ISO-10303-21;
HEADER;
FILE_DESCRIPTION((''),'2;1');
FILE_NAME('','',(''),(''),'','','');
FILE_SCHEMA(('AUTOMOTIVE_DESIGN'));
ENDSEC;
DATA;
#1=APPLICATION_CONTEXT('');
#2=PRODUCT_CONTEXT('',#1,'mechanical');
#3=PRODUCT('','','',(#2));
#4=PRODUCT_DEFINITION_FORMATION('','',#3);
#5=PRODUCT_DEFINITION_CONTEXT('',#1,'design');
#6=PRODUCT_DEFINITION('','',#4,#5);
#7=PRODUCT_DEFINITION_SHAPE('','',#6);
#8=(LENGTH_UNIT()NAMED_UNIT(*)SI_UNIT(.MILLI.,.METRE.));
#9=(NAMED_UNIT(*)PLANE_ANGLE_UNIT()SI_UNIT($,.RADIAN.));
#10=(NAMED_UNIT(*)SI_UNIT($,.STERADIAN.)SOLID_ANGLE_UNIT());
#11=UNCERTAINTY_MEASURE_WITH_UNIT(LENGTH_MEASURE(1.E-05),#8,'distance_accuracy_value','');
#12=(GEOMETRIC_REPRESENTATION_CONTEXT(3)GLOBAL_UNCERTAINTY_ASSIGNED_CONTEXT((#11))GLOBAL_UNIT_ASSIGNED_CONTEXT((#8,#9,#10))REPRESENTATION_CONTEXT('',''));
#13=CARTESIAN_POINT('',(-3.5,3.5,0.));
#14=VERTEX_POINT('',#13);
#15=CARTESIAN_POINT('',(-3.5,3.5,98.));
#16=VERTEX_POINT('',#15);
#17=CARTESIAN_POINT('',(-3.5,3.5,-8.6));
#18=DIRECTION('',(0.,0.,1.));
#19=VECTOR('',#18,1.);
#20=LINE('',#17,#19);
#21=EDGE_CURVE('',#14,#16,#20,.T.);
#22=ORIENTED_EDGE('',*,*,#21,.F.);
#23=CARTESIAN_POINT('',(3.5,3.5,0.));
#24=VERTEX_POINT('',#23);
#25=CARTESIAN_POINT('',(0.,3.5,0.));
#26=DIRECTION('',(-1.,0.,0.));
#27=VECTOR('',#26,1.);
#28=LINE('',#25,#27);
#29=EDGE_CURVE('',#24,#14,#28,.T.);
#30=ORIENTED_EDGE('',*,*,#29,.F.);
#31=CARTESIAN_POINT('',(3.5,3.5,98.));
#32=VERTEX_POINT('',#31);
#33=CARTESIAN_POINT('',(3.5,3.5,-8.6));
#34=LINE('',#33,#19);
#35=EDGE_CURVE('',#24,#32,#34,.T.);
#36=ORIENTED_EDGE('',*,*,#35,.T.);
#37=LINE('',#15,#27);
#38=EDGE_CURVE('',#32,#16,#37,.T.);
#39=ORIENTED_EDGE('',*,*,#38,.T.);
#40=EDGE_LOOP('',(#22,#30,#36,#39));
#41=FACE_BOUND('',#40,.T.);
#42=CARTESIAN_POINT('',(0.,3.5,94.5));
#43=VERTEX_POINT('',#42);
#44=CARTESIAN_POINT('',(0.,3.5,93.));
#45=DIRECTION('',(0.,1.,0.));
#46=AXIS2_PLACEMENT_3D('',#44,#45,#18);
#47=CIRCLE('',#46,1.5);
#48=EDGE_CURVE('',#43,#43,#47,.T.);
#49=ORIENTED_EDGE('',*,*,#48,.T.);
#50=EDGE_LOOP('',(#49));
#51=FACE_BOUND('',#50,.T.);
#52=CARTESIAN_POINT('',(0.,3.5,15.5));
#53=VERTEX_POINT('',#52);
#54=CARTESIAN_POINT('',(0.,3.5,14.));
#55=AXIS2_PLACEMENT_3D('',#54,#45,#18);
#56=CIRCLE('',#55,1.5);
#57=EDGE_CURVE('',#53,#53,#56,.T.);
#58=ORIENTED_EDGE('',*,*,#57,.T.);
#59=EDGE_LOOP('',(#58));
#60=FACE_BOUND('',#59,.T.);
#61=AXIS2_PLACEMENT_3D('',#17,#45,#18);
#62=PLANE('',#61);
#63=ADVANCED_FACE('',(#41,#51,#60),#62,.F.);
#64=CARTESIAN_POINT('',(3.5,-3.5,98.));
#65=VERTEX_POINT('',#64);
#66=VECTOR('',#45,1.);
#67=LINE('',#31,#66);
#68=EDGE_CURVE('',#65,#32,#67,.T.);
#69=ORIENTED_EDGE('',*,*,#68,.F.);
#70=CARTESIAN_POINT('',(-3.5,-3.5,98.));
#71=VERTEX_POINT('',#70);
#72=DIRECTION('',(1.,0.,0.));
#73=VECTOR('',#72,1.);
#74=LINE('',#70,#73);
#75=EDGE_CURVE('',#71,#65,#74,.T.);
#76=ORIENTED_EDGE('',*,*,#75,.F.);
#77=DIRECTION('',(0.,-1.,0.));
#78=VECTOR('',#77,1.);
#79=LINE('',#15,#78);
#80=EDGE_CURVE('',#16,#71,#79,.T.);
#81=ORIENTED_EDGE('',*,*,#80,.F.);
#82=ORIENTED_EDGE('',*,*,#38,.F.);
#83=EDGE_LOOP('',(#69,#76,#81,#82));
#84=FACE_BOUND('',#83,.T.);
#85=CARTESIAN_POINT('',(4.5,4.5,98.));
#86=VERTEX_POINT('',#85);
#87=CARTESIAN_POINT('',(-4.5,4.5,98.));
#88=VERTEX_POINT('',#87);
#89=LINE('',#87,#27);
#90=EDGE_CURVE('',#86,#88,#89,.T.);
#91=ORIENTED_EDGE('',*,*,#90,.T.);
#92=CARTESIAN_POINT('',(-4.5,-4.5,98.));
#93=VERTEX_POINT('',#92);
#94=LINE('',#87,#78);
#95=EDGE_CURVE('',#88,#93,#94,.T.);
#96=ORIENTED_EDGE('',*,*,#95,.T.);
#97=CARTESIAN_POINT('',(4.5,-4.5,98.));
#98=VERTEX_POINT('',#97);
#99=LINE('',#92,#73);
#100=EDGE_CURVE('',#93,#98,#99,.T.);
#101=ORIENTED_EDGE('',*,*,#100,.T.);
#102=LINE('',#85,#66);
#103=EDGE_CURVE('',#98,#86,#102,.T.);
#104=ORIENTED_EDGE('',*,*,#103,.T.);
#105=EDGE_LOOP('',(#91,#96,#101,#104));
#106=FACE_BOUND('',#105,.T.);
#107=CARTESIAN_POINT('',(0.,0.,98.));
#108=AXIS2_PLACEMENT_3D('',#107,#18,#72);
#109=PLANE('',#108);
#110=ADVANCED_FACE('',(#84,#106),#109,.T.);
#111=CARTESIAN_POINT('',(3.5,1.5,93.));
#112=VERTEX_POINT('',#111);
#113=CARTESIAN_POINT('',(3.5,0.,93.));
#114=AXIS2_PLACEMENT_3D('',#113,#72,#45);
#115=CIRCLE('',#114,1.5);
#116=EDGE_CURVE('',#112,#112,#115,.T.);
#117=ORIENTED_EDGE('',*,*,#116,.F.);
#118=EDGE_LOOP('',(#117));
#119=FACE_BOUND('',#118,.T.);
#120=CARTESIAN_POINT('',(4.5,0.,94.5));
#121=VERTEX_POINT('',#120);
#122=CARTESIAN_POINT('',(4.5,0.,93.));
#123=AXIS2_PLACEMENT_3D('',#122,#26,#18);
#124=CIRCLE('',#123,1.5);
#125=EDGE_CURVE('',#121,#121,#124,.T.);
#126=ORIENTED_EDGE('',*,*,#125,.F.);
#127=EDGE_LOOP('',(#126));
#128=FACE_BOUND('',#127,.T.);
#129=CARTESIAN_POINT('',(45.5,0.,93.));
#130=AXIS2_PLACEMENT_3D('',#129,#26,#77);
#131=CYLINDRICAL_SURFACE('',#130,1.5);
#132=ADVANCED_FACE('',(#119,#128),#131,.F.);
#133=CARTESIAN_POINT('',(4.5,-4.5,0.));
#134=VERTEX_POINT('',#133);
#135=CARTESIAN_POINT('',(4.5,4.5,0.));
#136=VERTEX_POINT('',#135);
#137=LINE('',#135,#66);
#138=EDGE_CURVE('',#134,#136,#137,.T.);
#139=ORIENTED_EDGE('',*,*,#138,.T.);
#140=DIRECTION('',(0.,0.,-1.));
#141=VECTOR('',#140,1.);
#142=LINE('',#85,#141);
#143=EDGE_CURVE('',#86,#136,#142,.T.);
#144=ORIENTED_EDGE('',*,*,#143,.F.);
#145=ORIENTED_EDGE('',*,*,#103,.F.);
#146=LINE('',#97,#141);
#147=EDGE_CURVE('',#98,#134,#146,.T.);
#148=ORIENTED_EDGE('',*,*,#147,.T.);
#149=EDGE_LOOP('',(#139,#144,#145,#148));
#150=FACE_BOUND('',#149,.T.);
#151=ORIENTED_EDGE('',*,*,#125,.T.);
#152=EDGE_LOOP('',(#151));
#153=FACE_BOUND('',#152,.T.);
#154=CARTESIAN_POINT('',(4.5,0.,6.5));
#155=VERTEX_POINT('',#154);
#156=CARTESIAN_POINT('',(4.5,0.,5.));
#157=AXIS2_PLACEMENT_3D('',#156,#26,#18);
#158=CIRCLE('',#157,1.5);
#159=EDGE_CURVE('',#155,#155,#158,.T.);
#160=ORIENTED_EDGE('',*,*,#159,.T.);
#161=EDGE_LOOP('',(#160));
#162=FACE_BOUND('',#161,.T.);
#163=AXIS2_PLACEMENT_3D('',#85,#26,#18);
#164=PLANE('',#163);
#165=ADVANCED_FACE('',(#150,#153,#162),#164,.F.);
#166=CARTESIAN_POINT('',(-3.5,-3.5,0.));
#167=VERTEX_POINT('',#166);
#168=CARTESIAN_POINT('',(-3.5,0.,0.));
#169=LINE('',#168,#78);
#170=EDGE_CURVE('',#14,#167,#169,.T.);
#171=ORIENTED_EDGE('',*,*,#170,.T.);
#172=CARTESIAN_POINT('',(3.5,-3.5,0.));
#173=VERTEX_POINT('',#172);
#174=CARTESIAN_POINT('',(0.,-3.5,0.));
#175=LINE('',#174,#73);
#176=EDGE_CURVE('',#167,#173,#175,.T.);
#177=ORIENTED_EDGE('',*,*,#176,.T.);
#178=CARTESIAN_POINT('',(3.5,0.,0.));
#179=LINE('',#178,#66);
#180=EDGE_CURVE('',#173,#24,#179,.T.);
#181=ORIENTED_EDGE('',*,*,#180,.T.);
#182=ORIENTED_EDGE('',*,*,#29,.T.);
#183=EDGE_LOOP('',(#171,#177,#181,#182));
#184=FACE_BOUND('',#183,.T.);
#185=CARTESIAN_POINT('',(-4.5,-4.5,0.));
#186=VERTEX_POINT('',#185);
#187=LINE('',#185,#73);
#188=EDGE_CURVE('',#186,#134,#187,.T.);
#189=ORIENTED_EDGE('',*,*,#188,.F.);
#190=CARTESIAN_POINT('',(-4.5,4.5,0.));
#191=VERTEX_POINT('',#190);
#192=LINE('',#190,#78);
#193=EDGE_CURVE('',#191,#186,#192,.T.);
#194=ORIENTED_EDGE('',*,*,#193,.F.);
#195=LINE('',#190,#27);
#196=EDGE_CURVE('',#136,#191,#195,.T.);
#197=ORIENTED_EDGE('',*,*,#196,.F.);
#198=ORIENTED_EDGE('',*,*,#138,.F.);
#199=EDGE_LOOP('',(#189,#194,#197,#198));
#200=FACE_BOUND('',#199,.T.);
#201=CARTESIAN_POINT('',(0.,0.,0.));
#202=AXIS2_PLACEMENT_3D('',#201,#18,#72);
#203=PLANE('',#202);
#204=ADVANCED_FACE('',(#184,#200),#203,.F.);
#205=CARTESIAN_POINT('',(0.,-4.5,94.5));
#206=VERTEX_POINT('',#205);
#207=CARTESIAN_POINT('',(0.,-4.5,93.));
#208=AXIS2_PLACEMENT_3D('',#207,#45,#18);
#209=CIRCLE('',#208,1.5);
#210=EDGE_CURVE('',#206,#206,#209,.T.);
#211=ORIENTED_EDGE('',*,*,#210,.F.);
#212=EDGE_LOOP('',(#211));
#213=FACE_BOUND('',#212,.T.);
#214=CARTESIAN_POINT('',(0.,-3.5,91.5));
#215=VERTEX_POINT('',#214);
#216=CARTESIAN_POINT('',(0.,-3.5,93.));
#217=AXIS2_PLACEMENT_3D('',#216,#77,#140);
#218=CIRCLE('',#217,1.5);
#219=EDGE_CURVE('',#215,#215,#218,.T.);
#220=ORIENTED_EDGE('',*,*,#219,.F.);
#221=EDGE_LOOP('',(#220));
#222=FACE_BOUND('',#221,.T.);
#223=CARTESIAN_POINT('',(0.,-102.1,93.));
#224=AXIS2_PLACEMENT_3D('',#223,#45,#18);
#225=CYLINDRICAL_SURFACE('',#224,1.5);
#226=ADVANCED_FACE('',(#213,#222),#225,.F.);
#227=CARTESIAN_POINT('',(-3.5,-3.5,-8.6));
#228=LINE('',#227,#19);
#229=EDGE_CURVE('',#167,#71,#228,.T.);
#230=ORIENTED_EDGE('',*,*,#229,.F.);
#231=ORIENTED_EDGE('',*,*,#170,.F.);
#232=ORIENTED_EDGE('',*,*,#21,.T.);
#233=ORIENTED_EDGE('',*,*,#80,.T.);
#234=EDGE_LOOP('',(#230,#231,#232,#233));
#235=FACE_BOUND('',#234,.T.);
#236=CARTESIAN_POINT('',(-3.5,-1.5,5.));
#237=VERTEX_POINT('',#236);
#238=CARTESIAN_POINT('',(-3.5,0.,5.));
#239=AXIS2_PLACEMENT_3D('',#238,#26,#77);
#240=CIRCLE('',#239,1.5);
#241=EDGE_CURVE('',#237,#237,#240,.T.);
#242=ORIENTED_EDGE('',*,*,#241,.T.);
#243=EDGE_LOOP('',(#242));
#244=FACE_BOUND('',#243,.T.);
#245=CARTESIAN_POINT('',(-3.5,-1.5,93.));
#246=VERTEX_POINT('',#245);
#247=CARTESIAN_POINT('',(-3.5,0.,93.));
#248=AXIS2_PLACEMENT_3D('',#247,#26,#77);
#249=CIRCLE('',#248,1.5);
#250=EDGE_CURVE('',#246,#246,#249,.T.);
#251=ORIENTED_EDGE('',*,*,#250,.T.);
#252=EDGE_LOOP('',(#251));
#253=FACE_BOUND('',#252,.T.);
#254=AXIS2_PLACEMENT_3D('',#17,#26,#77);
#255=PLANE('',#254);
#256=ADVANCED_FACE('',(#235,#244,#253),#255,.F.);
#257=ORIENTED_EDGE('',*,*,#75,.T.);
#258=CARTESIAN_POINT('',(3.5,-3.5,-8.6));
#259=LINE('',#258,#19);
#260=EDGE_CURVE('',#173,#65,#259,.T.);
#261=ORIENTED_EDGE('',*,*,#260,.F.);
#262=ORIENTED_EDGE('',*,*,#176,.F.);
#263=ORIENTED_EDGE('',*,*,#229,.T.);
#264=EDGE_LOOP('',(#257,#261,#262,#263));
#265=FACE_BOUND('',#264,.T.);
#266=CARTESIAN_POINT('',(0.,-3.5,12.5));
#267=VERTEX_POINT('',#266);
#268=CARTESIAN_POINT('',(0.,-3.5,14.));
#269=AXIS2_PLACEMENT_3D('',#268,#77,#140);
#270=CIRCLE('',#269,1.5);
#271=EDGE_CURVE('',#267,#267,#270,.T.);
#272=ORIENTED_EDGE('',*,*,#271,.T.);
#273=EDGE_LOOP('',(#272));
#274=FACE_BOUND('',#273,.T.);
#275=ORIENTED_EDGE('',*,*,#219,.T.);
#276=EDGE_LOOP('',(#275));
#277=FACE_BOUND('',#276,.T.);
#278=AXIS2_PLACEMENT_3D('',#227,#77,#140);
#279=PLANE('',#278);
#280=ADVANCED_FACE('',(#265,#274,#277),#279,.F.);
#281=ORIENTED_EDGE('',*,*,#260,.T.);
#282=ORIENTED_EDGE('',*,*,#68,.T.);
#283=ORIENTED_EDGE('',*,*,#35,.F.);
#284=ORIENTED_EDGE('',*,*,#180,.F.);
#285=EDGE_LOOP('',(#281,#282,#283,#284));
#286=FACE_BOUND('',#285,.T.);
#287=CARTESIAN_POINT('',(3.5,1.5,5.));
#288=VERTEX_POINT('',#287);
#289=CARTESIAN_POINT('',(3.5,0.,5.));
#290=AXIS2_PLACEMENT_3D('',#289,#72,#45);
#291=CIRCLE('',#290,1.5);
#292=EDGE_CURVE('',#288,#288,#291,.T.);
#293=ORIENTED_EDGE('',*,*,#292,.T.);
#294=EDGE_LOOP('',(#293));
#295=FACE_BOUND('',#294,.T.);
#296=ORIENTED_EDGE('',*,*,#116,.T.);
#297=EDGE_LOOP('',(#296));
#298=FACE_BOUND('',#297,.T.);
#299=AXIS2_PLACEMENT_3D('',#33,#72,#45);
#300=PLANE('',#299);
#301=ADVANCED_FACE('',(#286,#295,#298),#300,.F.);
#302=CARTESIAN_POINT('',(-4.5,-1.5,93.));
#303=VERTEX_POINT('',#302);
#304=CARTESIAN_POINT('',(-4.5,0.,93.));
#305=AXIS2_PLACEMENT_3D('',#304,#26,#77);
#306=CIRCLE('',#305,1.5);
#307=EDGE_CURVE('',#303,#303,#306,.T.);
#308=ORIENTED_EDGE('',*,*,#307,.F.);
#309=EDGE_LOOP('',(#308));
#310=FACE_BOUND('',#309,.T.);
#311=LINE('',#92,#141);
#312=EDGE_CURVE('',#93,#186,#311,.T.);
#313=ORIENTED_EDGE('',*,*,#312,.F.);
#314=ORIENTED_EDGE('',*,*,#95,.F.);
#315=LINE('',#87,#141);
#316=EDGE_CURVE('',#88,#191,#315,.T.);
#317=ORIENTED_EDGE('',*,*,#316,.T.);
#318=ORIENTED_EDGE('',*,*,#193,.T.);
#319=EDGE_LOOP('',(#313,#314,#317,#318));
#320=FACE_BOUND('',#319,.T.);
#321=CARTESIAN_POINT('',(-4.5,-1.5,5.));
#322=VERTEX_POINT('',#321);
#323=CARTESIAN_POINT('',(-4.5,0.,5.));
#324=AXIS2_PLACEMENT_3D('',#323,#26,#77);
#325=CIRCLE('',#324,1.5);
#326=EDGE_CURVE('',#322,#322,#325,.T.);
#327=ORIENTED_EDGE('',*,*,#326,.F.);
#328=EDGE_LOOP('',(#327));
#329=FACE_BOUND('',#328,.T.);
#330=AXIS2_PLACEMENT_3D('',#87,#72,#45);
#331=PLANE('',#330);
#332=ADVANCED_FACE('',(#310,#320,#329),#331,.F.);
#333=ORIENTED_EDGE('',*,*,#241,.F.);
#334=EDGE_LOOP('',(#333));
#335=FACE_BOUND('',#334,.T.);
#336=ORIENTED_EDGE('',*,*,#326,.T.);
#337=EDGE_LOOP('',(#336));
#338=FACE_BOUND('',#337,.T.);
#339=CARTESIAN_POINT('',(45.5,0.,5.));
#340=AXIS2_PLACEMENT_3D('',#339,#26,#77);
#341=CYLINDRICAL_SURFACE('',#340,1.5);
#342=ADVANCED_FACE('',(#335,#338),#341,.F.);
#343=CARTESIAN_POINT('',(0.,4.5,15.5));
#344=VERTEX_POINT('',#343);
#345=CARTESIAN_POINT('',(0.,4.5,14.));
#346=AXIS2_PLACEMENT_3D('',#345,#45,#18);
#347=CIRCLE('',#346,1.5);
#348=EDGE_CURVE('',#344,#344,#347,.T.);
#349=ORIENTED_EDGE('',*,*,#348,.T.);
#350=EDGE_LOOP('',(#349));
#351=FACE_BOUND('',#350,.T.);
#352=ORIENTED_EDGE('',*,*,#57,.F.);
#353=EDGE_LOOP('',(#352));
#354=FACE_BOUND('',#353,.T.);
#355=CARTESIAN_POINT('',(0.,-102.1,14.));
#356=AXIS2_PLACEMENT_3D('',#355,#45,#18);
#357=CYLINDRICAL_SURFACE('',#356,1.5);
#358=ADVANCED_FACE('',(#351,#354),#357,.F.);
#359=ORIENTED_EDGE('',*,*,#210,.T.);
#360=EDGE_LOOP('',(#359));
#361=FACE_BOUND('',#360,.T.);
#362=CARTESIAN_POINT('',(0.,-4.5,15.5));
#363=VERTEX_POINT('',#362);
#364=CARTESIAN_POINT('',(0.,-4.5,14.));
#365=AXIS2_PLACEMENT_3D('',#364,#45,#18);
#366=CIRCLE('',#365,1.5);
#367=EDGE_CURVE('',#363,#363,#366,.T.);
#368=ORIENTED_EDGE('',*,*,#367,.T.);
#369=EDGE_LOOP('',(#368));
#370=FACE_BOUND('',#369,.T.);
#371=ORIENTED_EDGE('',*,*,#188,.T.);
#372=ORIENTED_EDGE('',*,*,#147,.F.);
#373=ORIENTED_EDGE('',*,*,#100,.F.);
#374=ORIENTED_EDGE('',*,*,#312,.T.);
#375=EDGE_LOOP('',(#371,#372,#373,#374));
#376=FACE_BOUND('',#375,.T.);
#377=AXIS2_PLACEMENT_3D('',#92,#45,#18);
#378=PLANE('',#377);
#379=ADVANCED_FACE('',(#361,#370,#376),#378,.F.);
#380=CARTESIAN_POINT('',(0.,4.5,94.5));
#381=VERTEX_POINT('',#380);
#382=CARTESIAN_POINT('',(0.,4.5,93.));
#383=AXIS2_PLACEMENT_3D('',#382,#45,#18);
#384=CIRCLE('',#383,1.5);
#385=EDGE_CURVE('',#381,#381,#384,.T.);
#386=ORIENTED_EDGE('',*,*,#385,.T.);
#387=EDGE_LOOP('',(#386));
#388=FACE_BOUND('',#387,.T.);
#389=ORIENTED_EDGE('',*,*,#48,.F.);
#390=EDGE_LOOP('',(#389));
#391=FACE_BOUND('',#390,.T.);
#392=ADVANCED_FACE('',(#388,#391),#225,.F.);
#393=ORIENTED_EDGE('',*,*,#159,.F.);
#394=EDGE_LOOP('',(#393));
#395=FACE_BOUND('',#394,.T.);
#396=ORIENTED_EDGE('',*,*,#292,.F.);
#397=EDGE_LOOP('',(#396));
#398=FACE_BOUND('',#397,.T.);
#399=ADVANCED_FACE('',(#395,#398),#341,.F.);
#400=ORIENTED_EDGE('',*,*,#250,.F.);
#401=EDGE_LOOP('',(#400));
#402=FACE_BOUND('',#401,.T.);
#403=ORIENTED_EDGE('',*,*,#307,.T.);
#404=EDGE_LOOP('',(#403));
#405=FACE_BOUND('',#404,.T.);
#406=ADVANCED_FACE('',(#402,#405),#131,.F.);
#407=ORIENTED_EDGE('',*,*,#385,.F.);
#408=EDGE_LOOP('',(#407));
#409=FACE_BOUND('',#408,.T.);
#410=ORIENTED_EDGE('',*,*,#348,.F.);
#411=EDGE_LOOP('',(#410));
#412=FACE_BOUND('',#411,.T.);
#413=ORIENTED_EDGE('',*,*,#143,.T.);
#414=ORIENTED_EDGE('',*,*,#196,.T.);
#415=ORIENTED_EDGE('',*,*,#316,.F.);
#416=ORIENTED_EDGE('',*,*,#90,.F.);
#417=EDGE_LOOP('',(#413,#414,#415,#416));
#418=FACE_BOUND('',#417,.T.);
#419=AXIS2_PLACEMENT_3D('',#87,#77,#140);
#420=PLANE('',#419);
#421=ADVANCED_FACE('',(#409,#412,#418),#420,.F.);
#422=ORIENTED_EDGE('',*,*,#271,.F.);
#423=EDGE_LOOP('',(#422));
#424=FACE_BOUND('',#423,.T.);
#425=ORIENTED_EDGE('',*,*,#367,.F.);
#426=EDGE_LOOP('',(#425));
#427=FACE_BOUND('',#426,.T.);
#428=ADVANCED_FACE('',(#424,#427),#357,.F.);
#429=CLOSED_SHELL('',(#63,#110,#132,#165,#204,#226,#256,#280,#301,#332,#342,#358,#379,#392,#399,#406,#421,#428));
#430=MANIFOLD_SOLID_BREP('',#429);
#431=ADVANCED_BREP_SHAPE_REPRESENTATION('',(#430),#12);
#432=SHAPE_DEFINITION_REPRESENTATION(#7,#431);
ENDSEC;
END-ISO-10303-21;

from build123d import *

# Parameters (mm, degrees)
SKETCH_1_W          = 9
SKETCH_1_H          = 9
EXTRUDE_1_DEPTH     = 98
SKETCH_2_W          = 7
SKETCH_2_H          = 7
CUT_EXTRUDE_1_DEPTH = 106.6
SKETCH_3_R          = 1.5
CUT_EXTRUDE_2_DEPTH = 106.6
SKETCH_4_R          = 1.5
CUT_EXTRUDE_4_DEPTH = 50


with BuildPart() as part:
    # ｽｹｯﾁ1 → ﾎﾞｽ - 押し出し1 (new body)
    with BuildSketch(Plane.XY):
        Rectangle(SKETCH_1_W, SKETCH_1_H)
    extrude(amount=EXTRUDE_1_DEPTH)

    # ｽｹｯﾁ2 → ｶｯﾄ - 押し出し1 (cut)
    with BuildSketch(Plane.XY.offset(98)):
        Rectangle(SKETCH_2_W, SKETCH_2_H)
    extrude(amount=-CUT_EXTRUDE_1_DEPTH, mode=Mode.SUBTRACT)

    # ｽｹｯﾁ3 → ｶｯﾄ - 押し出し2 (cut)
    with BuildSketch(Plane(origin=(0, 4.5, 0), x_dir=(1, 0, 0), z_dir=(0, 1, 0))):
        with Locations((0, -93)):
            Circle(SKETCH_3_R)
        with Locations((0, -14)):
            Circle(SKETCH_3_R)
    extrude(amount=-CUT_EXTRUDE_2_DEPTH, mode=Mode.SUBTRACT)

    # ｽｹｯﾁ4 → ｶｯﾄ - 押し出し4 (cut)
    with BuildSketch(Plane.ZY.offset(4.5)):
        with Locations((5, 0)):
            Circle(SKETCH_4_R)
        with Locations((93, 0)):
            Circle(SKETCH_4_R)
    extrude(amount=-CUT_EXTRUDE_4_DEPTH, mode=Mode.SUBTRACT)


solid = part.part
